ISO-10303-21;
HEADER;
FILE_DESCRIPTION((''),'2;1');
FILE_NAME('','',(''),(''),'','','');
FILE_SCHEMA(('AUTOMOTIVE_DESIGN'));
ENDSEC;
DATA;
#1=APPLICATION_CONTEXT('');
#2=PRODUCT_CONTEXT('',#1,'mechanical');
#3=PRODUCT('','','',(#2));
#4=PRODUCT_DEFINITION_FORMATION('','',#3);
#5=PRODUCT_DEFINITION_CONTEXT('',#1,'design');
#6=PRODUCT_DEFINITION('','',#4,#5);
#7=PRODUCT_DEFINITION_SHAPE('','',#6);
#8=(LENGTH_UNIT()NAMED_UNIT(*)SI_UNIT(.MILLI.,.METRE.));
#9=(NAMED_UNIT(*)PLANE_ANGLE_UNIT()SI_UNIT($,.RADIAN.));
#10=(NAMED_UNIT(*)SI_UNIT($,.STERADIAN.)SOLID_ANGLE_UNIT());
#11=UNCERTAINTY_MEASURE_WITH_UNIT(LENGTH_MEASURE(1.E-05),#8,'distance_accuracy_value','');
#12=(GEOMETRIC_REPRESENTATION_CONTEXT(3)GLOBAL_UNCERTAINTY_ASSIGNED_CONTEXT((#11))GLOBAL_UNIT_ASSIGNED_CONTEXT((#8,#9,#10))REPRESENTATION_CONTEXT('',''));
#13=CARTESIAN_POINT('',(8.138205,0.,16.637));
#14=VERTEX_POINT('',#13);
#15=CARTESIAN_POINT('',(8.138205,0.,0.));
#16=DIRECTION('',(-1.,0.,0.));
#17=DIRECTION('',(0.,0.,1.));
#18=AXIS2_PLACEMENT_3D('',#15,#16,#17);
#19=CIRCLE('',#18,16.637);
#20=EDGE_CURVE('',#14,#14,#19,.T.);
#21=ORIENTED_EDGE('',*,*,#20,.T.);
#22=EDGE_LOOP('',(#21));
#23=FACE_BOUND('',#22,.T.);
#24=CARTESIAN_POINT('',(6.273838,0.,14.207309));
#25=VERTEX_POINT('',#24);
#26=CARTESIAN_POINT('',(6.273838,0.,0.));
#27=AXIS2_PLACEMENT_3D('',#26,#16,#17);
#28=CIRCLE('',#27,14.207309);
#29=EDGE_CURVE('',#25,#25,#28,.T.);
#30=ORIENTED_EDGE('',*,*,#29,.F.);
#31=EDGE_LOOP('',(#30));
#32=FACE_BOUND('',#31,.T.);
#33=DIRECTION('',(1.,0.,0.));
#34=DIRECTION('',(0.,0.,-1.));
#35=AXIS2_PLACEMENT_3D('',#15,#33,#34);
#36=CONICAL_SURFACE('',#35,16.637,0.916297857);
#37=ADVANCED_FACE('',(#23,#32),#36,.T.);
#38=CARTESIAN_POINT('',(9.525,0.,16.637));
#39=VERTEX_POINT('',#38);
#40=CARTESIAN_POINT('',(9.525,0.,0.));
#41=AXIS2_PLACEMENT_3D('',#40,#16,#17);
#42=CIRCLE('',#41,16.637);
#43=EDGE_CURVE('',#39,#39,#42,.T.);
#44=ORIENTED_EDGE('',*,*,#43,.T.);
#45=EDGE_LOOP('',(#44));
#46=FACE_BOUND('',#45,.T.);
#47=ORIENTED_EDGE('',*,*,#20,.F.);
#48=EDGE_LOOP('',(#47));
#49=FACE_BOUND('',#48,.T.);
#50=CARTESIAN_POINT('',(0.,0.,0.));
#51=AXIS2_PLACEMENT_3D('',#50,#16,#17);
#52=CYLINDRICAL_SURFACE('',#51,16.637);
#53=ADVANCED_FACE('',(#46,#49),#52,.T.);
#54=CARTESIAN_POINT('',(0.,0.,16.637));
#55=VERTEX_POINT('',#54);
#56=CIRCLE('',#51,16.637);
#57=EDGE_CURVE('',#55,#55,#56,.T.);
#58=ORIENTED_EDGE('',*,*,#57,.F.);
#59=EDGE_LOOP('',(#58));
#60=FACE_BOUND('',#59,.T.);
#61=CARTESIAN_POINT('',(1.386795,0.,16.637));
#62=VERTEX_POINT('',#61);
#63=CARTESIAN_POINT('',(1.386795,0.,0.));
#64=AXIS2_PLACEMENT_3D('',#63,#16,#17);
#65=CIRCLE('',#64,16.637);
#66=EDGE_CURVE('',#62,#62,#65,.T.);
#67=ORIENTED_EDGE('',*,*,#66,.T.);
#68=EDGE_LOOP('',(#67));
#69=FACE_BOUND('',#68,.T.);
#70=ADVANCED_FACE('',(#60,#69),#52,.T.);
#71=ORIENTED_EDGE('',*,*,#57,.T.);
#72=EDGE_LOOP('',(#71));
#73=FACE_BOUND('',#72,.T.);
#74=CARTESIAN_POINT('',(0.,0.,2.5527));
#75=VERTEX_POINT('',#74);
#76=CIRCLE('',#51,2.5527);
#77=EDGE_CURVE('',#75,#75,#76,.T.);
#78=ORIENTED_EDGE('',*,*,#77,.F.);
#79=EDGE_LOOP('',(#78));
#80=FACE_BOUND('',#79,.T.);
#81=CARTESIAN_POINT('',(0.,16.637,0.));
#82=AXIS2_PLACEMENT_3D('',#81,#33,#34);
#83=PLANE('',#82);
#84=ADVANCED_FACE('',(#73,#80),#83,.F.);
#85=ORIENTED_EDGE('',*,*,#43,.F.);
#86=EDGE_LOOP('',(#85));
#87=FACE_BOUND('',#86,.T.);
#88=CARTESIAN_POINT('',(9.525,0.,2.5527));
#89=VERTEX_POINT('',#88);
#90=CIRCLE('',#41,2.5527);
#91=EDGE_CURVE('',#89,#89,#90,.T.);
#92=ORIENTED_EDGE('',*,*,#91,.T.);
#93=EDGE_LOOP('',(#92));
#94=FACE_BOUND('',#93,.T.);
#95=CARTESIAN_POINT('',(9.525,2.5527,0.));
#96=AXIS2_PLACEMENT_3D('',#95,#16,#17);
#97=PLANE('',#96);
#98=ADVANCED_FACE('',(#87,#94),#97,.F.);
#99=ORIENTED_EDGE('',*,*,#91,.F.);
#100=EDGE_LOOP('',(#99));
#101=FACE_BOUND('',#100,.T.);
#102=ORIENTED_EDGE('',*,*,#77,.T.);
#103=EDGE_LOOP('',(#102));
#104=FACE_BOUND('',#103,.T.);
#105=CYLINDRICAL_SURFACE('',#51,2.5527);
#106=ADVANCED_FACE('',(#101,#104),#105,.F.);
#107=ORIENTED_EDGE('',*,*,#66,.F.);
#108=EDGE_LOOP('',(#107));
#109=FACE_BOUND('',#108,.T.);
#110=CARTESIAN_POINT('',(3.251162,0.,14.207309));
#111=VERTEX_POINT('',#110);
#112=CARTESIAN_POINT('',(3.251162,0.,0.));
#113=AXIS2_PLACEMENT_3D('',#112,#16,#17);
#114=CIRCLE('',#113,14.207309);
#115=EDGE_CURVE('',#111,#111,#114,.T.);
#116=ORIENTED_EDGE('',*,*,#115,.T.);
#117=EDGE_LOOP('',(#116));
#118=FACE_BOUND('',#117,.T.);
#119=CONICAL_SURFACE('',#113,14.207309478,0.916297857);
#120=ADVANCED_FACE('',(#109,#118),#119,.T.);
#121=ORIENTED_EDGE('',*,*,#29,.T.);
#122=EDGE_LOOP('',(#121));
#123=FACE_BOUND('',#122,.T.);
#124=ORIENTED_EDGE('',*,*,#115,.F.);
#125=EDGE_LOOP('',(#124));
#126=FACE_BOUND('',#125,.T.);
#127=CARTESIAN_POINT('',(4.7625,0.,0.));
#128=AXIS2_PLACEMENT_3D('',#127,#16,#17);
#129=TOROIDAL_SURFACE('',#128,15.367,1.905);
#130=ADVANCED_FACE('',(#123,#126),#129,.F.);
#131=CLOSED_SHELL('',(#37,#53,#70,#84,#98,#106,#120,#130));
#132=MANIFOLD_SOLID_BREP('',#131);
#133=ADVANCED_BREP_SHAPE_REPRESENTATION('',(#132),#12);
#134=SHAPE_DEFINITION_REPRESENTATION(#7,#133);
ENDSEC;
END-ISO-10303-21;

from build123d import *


with BuildPart() as part:
    # Sketch1 → Revolve1 (revolve)
    with BuildSketch(Plane.XY):
        with BuildLine():
            Line((0, 2.5527), (9.525, 2.5527))
            Line((9.525, 2.5527), (9.525, 16.637))
            Line((9.525, 16.637), (8.138205223, 16.637))
            Line((8.138205223, 16.637), (6.273838113, 14.207309478))
            ThreePointArc((6.273838113, 14.207309478), (4.7625, 13.462), (3.251161887, 14.207309478))
            Line((3.251161887, 14.207309478), (1.386794777, 16.637))
            Line((1.386794777, 16.637), (0, 16.637))
            Line((0, 16.637), (0, 2.5527))
        make_face()
    revolve(axis=Axis((0, 0, 0), (1, 0, 0)))


solid = part.part
